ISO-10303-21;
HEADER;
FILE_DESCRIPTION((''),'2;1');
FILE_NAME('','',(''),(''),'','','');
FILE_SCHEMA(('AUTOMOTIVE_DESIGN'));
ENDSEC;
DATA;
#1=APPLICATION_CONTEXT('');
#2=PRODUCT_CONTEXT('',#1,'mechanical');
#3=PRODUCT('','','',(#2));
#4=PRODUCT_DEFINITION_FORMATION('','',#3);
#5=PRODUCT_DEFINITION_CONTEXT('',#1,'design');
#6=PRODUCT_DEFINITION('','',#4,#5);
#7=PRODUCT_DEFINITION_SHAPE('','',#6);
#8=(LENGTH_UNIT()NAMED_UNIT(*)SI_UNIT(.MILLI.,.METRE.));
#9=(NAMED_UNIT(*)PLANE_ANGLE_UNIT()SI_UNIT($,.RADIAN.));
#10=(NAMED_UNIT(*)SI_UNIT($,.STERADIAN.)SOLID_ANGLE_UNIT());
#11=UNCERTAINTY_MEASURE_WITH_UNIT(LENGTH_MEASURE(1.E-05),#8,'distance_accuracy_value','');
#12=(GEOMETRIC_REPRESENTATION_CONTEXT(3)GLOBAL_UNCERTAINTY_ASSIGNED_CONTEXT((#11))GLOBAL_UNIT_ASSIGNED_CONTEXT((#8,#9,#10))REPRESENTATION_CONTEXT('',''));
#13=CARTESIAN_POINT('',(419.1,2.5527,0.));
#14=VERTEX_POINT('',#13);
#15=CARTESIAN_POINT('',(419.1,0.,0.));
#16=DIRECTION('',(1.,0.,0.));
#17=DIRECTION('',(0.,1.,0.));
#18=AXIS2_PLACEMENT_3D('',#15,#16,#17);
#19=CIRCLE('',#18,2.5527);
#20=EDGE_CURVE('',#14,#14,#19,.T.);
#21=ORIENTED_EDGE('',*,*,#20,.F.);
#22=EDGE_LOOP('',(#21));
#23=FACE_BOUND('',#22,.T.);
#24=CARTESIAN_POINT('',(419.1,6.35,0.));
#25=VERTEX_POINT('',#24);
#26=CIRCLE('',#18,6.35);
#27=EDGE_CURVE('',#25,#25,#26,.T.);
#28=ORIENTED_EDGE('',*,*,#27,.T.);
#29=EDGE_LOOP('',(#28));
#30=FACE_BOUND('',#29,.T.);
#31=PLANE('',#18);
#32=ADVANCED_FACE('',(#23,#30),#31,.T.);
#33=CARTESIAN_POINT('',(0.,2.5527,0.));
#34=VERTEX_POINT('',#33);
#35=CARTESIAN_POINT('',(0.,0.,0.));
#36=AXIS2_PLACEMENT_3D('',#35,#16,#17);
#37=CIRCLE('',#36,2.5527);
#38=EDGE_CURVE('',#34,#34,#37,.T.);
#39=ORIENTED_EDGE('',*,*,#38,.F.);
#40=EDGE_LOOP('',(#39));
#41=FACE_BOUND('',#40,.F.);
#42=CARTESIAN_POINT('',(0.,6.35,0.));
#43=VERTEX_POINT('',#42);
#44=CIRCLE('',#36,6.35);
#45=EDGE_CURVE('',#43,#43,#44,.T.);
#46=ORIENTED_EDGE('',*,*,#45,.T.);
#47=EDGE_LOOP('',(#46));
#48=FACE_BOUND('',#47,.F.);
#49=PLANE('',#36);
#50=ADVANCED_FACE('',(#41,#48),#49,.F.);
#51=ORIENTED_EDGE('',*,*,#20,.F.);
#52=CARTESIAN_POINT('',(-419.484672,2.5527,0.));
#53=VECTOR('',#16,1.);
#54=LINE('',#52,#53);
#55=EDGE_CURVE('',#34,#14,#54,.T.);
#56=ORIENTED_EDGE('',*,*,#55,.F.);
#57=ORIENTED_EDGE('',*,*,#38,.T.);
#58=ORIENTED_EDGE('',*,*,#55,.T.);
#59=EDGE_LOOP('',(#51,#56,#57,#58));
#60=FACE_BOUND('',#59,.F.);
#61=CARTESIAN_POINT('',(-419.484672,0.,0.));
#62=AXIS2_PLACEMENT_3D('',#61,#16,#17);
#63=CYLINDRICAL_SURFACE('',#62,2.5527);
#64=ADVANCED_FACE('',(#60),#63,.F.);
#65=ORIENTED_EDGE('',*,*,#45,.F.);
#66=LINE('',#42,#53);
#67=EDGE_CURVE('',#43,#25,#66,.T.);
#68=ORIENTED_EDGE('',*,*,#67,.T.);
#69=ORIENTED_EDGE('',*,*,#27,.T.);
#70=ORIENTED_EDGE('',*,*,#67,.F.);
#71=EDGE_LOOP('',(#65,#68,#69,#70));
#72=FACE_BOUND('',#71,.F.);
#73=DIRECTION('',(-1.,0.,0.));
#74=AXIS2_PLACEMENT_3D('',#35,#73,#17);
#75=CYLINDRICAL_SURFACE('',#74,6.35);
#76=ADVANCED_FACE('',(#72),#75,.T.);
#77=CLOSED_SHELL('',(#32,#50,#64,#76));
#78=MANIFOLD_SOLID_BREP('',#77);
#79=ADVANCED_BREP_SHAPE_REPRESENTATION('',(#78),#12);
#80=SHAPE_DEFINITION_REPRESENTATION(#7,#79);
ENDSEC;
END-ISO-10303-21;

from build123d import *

# Parameters (mm, degrees)
F0_R     = 6.35
F1_DEPTH = 419.1
F3_D     = 5.1054


with BuildPart() as f1:
    # F0 (on Right) → F1 (new body)
    with BuildSketch(Plane.YZ):
        Circle(F0_R)
    extrude(amount=F1_DEPTH)

    # F3 (through all)
    with Locations(Plane(origin=(0, 0, 0), x_dir=(0, -1, 0), z_dir=(-1, 0, 0))):
        with Locations((0, 0)):
            Hole(F3_D / 2)


solid = f1.part
